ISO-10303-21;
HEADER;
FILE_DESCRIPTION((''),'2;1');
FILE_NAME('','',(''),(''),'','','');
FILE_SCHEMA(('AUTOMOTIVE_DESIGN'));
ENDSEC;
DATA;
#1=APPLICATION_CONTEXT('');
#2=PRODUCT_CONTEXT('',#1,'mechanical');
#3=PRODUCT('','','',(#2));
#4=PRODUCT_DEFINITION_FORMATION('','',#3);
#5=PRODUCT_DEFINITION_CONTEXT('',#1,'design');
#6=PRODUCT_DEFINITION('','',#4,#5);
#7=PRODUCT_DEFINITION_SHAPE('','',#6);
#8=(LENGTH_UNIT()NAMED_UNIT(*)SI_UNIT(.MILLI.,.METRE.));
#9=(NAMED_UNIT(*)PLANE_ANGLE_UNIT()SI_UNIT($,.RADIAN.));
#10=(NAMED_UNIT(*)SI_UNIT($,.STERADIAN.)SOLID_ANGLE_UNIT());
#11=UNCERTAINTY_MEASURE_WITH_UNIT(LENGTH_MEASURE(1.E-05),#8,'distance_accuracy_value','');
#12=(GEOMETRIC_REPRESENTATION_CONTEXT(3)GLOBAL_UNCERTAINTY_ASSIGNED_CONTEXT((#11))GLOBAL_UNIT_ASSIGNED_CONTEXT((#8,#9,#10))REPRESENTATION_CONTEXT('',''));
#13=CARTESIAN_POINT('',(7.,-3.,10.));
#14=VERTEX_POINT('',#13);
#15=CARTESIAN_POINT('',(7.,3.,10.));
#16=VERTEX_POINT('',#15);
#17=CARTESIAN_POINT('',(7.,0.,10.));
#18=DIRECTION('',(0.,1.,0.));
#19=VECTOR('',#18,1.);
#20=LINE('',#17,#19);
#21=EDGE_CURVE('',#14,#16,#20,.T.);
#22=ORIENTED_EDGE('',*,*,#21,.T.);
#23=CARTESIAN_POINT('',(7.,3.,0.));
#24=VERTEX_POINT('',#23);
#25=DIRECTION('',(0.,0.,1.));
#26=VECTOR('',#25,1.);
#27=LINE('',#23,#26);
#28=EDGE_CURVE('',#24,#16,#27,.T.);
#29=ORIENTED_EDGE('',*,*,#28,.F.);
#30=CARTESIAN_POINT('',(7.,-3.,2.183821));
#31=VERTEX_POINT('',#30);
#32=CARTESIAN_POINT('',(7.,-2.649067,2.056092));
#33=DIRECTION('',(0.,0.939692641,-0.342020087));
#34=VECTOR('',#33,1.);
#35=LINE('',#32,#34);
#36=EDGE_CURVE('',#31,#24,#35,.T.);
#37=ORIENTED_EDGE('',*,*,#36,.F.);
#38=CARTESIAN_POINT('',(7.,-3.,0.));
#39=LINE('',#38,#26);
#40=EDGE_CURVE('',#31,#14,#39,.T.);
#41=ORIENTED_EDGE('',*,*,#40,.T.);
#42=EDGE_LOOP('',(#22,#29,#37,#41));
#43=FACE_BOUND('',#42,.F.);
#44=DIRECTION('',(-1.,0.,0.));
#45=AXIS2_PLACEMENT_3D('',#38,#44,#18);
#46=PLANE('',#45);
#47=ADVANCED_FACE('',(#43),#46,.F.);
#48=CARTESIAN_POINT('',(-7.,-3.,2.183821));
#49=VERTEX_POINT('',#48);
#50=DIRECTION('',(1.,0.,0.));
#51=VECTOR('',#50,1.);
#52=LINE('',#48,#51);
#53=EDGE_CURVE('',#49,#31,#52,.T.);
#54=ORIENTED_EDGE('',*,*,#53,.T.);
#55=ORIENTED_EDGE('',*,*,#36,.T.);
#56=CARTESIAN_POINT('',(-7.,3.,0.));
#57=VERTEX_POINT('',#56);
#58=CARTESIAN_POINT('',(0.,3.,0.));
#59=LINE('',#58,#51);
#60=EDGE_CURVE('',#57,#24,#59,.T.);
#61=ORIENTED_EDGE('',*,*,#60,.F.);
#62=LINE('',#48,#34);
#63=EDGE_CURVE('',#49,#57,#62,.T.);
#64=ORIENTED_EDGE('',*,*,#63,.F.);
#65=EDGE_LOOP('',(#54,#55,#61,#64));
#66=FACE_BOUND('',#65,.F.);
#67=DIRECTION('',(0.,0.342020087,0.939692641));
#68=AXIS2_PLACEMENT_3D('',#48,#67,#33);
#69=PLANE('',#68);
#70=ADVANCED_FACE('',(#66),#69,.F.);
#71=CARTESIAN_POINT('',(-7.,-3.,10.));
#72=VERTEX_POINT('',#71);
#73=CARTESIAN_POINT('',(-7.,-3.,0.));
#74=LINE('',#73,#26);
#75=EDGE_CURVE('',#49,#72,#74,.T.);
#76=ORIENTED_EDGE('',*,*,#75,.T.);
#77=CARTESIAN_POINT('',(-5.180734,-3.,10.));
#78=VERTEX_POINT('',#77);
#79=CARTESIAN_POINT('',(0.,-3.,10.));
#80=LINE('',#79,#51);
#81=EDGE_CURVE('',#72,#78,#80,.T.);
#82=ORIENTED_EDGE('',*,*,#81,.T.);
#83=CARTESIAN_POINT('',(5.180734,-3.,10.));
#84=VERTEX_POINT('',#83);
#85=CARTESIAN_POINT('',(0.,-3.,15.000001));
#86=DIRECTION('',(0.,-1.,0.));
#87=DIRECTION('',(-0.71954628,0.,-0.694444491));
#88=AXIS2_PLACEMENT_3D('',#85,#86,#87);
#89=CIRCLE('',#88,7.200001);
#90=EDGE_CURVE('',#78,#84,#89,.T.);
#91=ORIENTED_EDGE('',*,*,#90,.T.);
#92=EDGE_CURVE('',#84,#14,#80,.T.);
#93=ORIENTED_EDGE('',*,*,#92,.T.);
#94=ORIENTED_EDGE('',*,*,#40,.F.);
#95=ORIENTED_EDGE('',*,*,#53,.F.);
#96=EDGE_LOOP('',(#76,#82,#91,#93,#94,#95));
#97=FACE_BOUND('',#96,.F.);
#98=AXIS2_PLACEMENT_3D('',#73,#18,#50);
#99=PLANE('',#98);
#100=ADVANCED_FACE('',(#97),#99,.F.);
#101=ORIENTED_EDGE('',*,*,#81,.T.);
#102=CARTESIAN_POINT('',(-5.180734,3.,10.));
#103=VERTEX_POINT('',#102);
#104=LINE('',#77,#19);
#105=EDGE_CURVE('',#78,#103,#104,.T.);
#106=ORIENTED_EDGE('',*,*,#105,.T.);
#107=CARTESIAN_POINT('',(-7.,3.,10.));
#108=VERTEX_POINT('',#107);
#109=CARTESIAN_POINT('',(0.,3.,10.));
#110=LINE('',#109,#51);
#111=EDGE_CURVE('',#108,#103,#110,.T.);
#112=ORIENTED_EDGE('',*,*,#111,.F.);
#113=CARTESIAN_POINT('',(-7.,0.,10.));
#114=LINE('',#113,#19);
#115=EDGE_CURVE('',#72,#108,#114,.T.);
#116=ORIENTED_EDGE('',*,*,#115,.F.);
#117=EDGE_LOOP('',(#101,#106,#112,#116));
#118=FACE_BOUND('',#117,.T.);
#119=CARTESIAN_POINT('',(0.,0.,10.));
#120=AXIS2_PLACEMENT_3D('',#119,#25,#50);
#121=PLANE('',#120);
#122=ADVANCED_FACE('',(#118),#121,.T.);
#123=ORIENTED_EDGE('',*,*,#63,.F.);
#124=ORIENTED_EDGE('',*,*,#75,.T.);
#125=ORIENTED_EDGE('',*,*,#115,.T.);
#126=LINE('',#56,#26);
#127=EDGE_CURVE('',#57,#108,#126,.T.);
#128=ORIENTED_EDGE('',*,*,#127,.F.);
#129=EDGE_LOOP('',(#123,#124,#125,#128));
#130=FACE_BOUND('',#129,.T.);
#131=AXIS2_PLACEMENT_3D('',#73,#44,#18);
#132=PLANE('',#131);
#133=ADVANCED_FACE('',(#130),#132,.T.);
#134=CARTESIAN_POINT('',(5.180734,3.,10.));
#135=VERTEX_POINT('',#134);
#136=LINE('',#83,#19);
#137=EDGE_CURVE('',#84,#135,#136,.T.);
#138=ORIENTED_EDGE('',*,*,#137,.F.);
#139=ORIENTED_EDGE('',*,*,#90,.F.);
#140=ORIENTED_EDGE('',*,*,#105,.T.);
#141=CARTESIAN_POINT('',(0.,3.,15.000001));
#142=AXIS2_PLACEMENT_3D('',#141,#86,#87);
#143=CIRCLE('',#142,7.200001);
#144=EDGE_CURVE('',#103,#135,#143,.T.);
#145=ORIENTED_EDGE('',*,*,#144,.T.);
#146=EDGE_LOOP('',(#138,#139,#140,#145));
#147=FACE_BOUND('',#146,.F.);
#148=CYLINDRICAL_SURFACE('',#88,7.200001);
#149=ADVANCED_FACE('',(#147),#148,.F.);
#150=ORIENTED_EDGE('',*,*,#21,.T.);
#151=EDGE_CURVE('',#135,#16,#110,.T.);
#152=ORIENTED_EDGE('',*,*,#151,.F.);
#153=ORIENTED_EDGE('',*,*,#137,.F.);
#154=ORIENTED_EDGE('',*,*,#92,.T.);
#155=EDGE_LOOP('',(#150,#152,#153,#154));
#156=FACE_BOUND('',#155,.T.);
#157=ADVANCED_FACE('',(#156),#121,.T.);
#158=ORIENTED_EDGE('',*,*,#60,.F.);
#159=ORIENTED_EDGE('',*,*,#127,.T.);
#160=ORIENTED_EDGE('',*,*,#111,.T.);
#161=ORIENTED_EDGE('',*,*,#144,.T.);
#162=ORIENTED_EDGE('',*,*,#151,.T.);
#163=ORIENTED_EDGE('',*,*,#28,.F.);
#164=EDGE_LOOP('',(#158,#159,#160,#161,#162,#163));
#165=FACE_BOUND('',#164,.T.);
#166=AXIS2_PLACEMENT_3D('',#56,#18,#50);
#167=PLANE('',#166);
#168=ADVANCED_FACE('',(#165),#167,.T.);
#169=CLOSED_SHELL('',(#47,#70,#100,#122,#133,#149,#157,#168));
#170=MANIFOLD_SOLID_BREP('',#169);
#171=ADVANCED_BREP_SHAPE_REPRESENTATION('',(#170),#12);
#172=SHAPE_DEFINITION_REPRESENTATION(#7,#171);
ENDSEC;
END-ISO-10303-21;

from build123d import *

# Parameters (mm, degrees)
F0_W     = 14
F0_H     = 6
F1_DEPTH = 10
F3_DEPTH = 25
F5_DEPTH = 25


with BuildPart() as f1:
    # F0 (on Top) → F1 (new body)
    with BuildSketch(Plane.XY):
        Rectangle(F0_W, F0_H)
    extrude(amount=F1_DEPTH)

    # F2 (on face) → F3 (cut)
    with BuildSketch(Plane.XZ.offset(3)):
        with BuildLine():
            ThreePointArc((5.180734, 10), (6.676125, 12.303825), (7.2, 15))
            ThreePointArc((7.2, 15), (-2.696175, 21.676125), (-5.180734, 10))
            Line((-5.180734, 10), (5.180734, 10))
        make_face()
        with BuildLine():
            Line((5.180734, 10), (-5.180734, 10))
            ThreePointArc((-5.180734, 10), (0, 7.8), (5.180734, 10))
        make_face()
    extrude(amount=-F3_DEPTH, mode=Mode.SUBTRACT)

    # F4 (on face) → F5 (cut)
    with BuildSketch(Plane(origin=(-7, 0, 0), x_dir=(0, -1, 0), z_dir=(-1, 0, 0))):
        Polygon((3, 2.183821), (-3, 0), (3, 0), align=None)
    extrude(amount=-F5_DEPTH, mode=Mode.SUBTRACT)


solid = f1.part
